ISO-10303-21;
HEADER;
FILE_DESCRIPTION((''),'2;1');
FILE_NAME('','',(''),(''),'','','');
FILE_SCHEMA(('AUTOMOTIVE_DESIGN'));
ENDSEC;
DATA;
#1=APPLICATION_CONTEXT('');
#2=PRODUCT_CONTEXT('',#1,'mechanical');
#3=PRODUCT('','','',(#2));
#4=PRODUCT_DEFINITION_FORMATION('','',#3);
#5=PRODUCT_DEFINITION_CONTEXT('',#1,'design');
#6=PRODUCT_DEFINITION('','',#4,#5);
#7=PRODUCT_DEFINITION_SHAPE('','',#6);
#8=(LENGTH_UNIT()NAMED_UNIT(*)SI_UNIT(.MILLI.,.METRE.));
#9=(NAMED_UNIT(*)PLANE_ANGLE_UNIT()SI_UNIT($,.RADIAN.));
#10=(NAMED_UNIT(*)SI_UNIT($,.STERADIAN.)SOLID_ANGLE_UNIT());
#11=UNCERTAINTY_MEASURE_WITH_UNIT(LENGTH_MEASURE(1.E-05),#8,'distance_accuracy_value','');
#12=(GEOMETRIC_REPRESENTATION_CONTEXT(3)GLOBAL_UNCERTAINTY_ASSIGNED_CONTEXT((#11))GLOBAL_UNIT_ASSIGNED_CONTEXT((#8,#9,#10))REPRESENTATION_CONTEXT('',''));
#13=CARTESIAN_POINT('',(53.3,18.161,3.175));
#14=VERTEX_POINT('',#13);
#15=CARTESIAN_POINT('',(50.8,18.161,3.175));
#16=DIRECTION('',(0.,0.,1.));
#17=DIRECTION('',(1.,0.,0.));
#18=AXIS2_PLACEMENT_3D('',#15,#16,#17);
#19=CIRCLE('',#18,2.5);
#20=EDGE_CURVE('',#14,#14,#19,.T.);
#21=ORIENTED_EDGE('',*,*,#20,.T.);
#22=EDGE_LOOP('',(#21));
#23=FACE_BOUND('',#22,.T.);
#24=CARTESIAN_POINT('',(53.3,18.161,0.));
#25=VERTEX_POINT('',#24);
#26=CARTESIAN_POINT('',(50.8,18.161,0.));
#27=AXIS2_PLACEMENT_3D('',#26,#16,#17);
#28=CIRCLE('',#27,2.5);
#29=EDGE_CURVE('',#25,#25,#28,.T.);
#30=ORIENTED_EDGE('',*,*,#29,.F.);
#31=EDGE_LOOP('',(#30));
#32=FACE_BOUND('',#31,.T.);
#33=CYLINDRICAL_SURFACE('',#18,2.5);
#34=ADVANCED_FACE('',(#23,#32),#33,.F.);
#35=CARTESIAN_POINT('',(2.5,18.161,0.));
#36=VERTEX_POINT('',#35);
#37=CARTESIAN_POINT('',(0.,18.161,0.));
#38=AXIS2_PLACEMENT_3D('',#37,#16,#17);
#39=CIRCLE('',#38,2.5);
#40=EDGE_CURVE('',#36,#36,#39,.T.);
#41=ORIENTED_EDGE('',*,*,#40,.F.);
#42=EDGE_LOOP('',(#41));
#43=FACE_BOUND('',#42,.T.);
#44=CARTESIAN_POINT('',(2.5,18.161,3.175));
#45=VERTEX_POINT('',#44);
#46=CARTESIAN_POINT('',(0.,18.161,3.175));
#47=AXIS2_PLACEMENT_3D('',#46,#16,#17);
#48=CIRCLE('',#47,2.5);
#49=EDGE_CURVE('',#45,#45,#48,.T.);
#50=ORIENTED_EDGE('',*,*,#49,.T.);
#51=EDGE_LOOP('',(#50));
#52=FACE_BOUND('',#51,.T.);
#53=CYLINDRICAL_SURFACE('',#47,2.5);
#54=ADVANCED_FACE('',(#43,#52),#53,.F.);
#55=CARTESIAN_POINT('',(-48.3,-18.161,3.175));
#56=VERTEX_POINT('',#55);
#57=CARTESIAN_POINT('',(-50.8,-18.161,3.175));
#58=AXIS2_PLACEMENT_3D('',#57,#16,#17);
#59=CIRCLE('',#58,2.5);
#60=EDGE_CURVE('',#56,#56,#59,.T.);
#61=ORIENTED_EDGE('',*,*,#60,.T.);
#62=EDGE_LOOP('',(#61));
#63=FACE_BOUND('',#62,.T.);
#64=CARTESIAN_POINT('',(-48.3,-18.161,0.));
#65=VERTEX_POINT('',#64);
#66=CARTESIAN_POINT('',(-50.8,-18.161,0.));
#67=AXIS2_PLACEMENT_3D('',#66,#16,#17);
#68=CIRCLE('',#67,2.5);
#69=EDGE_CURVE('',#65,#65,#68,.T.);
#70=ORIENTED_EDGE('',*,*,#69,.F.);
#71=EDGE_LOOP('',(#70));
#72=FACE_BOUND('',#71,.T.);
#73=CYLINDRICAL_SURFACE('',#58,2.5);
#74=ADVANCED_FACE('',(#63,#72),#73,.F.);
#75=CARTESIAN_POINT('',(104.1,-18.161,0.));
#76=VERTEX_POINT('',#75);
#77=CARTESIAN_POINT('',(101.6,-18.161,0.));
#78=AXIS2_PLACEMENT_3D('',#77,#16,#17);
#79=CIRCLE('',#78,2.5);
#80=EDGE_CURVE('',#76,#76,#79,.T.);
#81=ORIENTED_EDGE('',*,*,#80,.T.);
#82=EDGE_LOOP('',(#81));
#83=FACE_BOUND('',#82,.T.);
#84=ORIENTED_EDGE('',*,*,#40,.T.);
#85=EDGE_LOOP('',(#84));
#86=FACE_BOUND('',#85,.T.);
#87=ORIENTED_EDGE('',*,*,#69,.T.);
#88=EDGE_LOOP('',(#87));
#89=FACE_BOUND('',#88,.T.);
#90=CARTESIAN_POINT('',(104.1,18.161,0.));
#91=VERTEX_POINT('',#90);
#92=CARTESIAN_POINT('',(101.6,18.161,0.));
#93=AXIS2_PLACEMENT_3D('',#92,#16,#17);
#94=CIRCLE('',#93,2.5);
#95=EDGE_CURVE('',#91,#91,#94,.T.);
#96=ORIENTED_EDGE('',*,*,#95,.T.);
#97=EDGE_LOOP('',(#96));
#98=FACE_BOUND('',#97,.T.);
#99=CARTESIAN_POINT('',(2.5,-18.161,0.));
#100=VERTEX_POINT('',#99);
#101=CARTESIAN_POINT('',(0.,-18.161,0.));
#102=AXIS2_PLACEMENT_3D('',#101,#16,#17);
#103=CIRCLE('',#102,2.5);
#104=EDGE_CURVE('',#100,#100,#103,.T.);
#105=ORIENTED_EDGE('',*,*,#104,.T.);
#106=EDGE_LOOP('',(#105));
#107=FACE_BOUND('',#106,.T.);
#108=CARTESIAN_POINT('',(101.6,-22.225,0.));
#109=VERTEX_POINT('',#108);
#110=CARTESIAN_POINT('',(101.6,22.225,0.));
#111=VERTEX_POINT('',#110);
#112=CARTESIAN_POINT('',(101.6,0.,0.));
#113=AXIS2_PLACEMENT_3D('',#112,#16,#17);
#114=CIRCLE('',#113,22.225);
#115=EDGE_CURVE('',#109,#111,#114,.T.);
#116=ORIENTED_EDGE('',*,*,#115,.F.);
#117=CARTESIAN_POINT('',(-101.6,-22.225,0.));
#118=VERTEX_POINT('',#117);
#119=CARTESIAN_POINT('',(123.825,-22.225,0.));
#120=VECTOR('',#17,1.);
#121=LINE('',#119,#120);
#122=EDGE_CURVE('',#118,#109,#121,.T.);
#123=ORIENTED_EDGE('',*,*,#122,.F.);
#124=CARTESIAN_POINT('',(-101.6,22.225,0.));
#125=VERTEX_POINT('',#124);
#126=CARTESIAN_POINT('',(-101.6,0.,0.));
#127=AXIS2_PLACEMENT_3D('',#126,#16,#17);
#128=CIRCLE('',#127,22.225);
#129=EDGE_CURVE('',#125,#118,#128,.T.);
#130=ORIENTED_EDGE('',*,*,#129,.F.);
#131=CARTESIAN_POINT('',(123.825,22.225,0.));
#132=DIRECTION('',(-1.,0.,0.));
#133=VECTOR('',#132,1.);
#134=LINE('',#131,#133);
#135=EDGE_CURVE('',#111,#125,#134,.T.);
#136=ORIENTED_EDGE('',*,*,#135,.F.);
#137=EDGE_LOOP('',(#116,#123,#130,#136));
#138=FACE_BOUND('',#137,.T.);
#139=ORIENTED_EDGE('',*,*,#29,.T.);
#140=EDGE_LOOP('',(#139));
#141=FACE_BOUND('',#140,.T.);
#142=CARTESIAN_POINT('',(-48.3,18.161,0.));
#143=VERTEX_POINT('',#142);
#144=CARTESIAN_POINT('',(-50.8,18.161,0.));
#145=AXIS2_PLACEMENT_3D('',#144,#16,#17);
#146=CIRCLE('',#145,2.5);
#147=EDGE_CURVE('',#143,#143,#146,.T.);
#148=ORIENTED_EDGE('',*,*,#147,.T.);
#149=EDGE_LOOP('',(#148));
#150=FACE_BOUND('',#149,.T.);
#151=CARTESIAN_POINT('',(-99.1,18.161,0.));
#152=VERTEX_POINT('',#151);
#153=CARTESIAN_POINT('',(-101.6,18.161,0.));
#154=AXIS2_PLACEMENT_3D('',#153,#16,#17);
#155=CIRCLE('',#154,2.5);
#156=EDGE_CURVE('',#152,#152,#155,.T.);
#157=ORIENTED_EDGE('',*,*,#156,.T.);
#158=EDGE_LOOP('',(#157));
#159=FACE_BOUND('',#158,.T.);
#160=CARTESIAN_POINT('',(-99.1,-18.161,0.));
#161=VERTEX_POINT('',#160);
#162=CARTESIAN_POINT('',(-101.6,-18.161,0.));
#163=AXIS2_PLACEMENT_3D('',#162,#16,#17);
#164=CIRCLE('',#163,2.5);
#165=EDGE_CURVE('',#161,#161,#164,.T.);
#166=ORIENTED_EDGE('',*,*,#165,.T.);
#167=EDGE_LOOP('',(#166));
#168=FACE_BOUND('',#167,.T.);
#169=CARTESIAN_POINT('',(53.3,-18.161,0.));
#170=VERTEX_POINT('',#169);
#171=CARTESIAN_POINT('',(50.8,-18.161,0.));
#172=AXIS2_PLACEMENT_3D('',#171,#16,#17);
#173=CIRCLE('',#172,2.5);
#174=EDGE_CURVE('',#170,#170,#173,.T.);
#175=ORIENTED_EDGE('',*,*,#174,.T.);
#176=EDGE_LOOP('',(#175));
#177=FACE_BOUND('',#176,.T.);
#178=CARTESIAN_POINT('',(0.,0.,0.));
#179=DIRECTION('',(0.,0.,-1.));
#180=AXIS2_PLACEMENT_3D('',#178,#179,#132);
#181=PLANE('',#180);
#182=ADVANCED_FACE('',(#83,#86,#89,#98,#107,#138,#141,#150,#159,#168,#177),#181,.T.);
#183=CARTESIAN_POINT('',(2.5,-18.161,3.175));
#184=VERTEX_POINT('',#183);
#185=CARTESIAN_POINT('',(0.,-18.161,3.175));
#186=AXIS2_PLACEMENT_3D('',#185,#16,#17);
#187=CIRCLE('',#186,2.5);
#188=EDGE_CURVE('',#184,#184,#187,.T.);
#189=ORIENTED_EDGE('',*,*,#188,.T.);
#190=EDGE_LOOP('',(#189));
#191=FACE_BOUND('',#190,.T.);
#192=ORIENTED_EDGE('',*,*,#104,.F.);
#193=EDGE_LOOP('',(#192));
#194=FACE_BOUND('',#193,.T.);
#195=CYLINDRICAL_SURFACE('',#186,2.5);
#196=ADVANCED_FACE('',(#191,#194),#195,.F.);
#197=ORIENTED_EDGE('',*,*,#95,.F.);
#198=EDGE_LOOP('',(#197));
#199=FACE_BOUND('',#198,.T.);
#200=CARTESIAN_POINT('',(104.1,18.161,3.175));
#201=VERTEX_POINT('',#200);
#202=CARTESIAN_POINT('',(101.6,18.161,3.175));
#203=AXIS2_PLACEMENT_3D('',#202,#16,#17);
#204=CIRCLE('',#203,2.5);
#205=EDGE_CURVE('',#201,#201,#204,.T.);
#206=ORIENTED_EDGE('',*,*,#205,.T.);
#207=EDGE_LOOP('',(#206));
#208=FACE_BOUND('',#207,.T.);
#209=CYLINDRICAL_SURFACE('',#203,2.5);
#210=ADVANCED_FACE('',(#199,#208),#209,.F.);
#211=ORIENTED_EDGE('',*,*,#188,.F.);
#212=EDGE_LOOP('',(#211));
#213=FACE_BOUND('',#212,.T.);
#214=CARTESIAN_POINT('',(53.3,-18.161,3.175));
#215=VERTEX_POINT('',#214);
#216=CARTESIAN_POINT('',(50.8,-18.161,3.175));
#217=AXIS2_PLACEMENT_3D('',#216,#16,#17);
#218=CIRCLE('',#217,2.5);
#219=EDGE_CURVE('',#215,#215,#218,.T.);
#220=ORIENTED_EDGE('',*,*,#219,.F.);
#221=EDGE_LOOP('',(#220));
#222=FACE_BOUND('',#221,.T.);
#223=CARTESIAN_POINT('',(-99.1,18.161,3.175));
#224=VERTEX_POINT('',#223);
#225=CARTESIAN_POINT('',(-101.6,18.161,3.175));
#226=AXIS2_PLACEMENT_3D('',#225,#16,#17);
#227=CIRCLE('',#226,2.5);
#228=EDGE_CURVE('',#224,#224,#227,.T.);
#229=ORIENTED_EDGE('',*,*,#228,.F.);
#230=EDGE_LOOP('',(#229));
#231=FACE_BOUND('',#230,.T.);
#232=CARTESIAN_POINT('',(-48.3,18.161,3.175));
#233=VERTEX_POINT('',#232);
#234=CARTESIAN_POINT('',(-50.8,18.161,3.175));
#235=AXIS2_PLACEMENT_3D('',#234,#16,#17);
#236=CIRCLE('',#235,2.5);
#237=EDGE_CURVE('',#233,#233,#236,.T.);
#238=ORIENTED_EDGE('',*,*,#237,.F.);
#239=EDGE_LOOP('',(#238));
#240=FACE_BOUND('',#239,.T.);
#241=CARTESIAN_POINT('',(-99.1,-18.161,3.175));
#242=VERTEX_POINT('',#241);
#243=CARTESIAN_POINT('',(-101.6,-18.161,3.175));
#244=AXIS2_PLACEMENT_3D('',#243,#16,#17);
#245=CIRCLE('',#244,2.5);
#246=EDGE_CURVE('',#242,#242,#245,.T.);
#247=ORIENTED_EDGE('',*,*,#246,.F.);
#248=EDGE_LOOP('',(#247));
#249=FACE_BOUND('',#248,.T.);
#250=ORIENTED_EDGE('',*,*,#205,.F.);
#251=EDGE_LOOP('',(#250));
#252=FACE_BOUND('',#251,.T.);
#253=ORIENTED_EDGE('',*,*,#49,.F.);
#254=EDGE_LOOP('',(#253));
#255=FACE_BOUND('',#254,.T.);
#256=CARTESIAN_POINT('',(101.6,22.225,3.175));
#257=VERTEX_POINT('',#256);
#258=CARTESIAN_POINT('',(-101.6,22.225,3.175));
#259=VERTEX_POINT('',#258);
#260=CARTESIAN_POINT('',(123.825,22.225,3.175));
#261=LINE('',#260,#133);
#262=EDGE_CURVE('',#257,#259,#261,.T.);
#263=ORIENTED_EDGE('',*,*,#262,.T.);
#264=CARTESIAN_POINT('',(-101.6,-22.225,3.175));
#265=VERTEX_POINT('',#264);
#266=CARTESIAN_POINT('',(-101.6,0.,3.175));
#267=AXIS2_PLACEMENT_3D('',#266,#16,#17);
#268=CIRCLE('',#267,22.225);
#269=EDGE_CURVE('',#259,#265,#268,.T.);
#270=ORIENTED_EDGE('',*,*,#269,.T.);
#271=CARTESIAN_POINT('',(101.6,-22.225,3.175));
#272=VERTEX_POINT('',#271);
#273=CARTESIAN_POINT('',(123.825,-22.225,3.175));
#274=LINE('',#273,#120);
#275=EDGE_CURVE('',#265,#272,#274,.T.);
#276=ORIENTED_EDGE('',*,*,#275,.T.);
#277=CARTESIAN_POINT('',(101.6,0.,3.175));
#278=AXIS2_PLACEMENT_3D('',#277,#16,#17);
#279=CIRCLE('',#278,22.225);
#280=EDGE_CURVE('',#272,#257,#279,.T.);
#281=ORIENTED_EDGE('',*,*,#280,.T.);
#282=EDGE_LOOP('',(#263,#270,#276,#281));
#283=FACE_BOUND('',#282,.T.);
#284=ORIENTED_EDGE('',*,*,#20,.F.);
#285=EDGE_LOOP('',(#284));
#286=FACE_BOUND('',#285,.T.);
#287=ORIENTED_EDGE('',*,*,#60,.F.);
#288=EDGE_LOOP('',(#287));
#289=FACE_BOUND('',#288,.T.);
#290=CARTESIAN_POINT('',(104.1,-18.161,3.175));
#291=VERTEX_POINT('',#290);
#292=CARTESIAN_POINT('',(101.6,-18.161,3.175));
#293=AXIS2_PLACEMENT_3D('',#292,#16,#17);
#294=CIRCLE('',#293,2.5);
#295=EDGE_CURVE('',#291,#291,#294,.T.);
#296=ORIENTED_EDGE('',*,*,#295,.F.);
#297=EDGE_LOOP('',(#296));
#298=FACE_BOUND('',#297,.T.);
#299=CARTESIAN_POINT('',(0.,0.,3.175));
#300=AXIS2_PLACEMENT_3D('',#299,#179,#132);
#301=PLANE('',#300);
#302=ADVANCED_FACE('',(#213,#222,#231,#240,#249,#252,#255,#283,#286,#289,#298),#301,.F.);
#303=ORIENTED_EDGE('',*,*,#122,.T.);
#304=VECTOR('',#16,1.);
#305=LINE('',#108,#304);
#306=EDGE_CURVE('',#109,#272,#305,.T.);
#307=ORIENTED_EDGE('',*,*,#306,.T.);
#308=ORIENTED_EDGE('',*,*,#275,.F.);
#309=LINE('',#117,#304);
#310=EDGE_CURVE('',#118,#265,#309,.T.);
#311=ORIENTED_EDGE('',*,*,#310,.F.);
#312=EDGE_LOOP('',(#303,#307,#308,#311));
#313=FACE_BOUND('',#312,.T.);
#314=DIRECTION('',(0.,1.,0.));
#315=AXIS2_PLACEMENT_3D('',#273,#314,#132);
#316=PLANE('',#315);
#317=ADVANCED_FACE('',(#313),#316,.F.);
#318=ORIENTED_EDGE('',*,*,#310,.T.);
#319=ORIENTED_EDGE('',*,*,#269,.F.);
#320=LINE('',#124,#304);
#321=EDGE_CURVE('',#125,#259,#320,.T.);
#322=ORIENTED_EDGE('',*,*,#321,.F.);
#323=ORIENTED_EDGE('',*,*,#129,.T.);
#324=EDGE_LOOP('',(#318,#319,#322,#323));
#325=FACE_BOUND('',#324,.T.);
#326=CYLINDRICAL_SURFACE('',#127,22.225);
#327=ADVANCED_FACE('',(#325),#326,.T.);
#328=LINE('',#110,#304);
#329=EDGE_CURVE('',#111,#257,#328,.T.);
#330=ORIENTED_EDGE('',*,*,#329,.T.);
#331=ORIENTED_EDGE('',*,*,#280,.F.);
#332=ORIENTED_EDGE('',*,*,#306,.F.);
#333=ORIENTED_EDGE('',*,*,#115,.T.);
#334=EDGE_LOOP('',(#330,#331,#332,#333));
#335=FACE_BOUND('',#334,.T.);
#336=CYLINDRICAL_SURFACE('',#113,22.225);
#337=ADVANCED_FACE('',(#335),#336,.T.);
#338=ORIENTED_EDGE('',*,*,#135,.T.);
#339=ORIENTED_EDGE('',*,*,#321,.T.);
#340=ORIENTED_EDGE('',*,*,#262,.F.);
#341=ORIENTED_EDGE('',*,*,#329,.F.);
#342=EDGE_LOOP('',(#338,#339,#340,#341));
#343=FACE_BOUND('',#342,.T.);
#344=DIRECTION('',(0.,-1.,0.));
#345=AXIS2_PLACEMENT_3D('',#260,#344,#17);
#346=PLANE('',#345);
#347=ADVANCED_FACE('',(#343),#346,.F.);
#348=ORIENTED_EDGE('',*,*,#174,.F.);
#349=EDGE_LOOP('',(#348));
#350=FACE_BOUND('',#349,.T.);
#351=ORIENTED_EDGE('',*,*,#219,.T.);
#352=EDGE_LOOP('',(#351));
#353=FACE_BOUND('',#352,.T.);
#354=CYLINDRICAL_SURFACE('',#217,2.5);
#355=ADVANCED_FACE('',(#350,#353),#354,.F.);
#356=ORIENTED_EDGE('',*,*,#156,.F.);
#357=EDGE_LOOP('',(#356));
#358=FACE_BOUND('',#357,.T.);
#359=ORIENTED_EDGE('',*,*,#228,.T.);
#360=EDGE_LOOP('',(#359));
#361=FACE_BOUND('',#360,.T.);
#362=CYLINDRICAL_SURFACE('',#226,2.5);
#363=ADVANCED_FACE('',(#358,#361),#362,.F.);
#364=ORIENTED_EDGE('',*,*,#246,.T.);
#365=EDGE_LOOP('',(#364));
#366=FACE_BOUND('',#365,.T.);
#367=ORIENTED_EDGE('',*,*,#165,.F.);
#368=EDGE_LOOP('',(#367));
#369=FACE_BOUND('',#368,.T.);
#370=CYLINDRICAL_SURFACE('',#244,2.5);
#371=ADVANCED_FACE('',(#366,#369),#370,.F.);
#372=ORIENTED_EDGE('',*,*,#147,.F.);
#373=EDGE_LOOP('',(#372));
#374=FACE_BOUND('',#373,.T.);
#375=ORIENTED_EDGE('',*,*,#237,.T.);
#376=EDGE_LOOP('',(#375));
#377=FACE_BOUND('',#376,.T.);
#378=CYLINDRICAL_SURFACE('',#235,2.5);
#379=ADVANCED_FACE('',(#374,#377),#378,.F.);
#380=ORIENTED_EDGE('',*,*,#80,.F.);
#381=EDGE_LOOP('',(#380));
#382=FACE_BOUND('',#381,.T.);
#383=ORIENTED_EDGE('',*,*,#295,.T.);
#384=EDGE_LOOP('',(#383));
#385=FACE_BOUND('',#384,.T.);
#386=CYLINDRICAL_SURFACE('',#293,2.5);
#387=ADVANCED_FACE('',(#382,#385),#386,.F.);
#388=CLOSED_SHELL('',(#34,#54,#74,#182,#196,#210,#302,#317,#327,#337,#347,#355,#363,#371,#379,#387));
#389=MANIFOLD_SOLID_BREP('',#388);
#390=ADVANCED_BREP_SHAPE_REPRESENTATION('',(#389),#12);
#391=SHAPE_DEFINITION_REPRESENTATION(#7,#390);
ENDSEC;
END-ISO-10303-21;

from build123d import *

# Parameters (mm, degrees)
SKETCH1_W                    = 247.65
SKETCH1_H                    = 44.45
BOSS_EXTRUDE1_DEPTH          = 3.175
CUT_EXTRUDE1_DEPTH           = 126.84379951
F_10_0_1935_DIAMETER_HOLE1_D = 4.999999906


with BuildPart() as part:
    # Sketch1 → Boss-Extrude1 (new body)
    with BuildSketch(Plane.XY):
        Rectangle(SKETCH1_W, SKETCH1_H)
    extrude(amount=BOSS_EXTRUDE1_DEPTH)

    # Sketch2 → Cut-Extrude1 (cut, through all)
    with BuildSketch(Plane.XY.offset(3.175)):
        with BuildLine():
            Line((-123.825, 22.225), (-123.825, 5e-09))
            ThreePointArc((-123.825, 5e-09), (-117.31544821, 15.715448214), (-101.6, 22.225))
            Line((-101.6, 22.225), (-123.825, 22.225))
        make_face()
        with BuildLine():
            Line((-123.825, -22.225), (-101.6, -22.225))
            ThreePointArc((-101.6, -22.225), (-117.315448214, -15.71544821), (-123.825, 5e-09))
            Line((-123.825, 5e-09), (-123.825, -22.225))
        make_face()
        with BuildLine():
            ThreePointArc((123.825, -6.4e-08), (117.315448189, -15.715448235), (101.6, -22.225))
            Line((101.6, -22.225), (123.825, -22.225))
            Line((123.825, -22.225), (123.825, -6.4e-08))
        make_face()
        with BuildLine():
            ThreePointArc((101.6, 22.225), (117.315448235, 15.715448189), (123.825, -6.4e-08))
            Line((123.825, -6.4e-08), (123.825, 22.225))
            Line((123.825, 22.225), (101.6, 22.225))
        make_face()
    extrude(amount=-CUT_EXTRUDE1_DEPTH, mode=Mode.SUBTRACT)

    # #10 (0.1935) Diameter Hole1 (through all)
    with Locations(Plane.XY.offset(3.175)):
        with Locations((-101.6, 18.161), (-50.8, 18.161), (0, 18.161), (50.8, 18.161), (101.6, 18.161), (101.6, -18.161), (50.8, -18.161), (0, -18.161), (-50.8, -18.161), (-101.6, -18.161)):
            Hole(F_10_0_1935_DIAMETER_HOLE1_D / 2)


solid = part.part
